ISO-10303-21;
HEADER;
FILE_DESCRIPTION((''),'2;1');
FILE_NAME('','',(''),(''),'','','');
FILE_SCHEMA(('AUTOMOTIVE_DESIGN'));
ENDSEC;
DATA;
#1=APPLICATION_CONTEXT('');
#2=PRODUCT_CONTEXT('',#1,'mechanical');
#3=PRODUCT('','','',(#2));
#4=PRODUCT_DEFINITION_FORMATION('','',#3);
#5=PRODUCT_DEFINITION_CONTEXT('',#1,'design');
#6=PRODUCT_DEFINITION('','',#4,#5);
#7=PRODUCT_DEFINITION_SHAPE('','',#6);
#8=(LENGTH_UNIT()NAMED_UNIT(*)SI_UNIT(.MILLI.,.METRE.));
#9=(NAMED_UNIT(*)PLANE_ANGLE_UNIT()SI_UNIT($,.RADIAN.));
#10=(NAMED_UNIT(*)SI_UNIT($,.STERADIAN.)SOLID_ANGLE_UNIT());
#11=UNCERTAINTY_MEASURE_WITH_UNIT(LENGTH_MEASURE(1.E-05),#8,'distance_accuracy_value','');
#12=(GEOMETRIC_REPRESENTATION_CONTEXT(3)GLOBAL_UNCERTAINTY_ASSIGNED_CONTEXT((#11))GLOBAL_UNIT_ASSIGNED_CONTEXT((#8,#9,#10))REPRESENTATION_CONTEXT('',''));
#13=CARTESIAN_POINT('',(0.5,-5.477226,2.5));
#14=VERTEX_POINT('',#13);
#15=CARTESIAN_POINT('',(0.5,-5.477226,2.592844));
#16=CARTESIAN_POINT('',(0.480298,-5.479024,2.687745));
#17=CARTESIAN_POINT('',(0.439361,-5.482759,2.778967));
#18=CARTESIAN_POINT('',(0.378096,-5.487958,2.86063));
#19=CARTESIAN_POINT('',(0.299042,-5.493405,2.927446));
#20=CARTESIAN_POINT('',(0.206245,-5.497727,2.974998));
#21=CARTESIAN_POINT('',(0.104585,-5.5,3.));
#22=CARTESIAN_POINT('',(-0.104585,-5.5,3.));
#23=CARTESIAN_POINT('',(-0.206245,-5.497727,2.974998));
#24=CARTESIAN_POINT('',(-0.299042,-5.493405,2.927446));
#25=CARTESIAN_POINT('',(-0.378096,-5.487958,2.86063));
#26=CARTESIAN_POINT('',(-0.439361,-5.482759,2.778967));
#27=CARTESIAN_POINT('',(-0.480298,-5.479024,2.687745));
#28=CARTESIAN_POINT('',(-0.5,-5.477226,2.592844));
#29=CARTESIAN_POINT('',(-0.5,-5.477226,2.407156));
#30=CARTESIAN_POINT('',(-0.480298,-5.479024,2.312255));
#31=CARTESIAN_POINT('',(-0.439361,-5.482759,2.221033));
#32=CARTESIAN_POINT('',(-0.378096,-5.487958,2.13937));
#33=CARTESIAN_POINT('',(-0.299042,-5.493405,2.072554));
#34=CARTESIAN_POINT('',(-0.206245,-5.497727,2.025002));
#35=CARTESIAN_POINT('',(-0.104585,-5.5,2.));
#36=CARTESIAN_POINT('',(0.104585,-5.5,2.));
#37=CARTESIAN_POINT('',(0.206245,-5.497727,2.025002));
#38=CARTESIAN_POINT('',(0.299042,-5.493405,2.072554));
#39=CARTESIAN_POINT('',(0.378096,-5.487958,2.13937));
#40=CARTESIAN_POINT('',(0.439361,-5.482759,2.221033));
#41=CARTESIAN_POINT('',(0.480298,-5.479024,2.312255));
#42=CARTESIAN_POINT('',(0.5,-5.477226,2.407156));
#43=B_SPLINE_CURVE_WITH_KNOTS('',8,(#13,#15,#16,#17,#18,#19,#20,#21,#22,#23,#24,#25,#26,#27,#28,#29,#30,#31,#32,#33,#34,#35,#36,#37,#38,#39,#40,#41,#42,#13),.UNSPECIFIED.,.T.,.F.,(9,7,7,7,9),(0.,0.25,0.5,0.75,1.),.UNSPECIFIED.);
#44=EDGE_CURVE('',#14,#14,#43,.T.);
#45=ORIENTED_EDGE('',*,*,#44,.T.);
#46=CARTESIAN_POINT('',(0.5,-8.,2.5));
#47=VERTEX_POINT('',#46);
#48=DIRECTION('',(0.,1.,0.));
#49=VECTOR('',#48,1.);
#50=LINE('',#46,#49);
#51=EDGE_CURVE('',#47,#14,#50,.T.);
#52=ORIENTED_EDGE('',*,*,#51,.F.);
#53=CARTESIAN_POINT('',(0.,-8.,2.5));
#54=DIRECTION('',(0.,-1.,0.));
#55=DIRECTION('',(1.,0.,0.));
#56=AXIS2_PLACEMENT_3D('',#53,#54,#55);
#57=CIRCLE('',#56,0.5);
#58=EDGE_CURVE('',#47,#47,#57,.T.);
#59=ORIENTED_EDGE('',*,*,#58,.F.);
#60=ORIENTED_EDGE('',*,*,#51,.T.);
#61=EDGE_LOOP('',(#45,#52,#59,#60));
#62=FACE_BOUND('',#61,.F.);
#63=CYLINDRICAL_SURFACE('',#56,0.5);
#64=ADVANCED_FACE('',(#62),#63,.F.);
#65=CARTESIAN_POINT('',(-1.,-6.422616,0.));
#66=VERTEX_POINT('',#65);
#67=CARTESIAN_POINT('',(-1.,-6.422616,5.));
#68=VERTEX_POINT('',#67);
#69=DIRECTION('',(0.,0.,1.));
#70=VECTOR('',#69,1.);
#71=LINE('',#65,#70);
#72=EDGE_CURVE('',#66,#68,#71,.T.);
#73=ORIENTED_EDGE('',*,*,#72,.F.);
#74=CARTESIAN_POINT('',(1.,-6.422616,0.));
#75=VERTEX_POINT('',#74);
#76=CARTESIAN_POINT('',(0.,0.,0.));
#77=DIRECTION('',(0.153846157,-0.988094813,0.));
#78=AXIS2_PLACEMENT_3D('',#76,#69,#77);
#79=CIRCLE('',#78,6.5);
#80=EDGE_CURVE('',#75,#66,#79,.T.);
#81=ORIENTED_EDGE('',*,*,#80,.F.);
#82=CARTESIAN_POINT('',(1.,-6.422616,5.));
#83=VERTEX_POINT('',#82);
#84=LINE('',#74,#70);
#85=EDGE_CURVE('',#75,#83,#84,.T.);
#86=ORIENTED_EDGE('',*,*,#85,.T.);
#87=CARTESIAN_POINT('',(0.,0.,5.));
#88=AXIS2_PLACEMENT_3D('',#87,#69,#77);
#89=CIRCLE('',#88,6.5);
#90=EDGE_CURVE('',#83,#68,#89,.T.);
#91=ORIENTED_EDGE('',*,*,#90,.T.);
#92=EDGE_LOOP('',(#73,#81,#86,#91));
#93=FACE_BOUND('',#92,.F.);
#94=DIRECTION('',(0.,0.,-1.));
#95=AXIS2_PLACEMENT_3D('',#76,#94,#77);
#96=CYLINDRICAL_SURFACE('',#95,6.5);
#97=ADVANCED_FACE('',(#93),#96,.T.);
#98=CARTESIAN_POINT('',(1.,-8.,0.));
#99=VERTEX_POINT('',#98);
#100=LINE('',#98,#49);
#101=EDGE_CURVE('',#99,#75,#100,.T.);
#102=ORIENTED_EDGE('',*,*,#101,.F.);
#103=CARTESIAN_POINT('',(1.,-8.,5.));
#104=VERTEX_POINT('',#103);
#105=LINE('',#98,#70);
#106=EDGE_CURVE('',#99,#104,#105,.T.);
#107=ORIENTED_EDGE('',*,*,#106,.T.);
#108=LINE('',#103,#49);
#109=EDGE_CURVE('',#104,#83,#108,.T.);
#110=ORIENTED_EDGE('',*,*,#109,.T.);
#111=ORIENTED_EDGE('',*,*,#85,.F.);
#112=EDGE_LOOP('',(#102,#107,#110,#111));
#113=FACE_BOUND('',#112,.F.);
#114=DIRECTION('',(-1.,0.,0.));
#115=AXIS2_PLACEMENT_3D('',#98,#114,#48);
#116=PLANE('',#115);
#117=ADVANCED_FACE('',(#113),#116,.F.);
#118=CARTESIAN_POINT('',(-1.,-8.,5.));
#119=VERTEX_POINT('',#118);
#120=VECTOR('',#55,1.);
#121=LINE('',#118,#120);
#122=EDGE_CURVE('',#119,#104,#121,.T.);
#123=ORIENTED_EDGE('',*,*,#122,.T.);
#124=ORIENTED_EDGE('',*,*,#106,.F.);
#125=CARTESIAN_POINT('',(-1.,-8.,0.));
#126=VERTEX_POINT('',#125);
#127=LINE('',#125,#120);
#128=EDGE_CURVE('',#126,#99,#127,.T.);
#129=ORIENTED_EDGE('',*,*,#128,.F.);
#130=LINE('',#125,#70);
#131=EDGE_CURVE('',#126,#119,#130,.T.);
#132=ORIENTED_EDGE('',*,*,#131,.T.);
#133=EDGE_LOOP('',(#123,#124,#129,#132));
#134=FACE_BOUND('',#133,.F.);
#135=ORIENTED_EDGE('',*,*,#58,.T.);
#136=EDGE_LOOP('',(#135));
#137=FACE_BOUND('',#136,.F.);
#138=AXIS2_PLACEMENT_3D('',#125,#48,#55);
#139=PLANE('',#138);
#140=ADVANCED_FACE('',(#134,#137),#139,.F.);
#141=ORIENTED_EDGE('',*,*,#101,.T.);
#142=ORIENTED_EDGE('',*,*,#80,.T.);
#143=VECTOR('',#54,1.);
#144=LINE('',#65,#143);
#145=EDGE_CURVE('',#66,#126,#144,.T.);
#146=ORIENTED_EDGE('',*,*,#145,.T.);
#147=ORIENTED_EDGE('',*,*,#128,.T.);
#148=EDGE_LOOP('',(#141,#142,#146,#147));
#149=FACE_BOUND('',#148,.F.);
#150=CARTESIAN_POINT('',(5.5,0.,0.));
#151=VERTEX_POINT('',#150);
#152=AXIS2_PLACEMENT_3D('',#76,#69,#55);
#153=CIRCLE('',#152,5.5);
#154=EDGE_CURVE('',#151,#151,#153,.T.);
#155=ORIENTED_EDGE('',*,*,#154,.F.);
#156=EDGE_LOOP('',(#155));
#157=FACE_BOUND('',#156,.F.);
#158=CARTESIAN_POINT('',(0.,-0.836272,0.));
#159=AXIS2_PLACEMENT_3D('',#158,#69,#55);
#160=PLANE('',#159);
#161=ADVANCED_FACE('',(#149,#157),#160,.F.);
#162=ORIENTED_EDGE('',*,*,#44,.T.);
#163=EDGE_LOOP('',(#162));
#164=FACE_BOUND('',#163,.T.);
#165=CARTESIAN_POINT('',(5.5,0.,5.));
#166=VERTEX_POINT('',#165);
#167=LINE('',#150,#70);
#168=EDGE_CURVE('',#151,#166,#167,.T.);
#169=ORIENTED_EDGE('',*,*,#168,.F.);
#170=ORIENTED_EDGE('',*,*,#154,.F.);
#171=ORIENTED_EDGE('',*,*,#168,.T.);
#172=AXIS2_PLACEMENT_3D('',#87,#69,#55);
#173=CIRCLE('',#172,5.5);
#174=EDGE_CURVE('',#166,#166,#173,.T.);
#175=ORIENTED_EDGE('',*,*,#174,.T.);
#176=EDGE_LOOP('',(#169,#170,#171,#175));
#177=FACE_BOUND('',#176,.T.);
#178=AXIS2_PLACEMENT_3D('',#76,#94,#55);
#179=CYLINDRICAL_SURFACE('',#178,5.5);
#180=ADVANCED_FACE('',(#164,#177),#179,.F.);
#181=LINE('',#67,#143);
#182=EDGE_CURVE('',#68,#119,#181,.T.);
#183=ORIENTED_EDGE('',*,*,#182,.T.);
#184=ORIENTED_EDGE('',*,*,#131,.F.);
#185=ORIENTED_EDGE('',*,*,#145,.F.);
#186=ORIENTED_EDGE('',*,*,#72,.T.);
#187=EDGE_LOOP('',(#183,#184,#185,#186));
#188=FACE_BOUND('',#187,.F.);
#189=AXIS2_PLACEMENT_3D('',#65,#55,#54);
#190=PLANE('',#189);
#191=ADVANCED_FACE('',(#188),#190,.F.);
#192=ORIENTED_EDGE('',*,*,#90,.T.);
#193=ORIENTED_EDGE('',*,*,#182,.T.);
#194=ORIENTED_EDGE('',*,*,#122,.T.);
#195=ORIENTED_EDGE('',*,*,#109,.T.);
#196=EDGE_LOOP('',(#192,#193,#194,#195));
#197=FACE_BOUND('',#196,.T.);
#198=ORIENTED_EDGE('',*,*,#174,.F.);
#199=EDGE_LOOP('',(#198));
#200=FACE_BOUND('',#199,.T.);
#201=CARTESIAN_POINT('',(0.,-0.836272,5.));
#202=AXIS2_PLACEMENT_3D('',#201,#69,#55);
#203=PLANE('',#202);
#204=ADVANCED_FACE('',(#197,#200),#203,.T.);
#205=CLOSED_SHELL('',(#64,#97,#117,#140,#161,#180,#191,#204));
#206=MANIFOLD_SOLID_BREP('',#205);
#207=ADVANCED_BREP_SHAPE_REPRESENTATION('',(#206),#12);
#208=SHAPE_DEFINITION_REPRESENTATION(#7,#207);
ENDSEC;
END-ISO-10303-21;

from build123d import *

# Parameters (mm, degrees)
F0_R     = 5.5
F1_DEPTH = 5
F2_R     = 0.5
F3_DEPTH = 5


with BuildPart() as f1:
    # F0 (on Top) → F1 (new body)
    with BuildSketch(Plane.XY):
        with BuildLine():
            Line((1, -8), (1, -6.422616))
            ThreePointArc((1, -6.422616), (0, 6.5), (-1, -6.422616))
            Line((-1, -6.422616), (-1, -8))
            Line((-1, -8), (1, -8))
        make_face()
        Circle(F0_R, mode=Mode.SUBTRACT)
    extrude(amount=F1_DEPTH)

    # F2 (on face) → F3 (cut)
    with BuildSketch(Plane.XZ.offset(8)):
        with Locations((0, 2.5)):
            Circle(F2_R)
    extrude(amount=-F3_DEPTH, mode=Mode.SUBTRACT)


solid = f1.part
